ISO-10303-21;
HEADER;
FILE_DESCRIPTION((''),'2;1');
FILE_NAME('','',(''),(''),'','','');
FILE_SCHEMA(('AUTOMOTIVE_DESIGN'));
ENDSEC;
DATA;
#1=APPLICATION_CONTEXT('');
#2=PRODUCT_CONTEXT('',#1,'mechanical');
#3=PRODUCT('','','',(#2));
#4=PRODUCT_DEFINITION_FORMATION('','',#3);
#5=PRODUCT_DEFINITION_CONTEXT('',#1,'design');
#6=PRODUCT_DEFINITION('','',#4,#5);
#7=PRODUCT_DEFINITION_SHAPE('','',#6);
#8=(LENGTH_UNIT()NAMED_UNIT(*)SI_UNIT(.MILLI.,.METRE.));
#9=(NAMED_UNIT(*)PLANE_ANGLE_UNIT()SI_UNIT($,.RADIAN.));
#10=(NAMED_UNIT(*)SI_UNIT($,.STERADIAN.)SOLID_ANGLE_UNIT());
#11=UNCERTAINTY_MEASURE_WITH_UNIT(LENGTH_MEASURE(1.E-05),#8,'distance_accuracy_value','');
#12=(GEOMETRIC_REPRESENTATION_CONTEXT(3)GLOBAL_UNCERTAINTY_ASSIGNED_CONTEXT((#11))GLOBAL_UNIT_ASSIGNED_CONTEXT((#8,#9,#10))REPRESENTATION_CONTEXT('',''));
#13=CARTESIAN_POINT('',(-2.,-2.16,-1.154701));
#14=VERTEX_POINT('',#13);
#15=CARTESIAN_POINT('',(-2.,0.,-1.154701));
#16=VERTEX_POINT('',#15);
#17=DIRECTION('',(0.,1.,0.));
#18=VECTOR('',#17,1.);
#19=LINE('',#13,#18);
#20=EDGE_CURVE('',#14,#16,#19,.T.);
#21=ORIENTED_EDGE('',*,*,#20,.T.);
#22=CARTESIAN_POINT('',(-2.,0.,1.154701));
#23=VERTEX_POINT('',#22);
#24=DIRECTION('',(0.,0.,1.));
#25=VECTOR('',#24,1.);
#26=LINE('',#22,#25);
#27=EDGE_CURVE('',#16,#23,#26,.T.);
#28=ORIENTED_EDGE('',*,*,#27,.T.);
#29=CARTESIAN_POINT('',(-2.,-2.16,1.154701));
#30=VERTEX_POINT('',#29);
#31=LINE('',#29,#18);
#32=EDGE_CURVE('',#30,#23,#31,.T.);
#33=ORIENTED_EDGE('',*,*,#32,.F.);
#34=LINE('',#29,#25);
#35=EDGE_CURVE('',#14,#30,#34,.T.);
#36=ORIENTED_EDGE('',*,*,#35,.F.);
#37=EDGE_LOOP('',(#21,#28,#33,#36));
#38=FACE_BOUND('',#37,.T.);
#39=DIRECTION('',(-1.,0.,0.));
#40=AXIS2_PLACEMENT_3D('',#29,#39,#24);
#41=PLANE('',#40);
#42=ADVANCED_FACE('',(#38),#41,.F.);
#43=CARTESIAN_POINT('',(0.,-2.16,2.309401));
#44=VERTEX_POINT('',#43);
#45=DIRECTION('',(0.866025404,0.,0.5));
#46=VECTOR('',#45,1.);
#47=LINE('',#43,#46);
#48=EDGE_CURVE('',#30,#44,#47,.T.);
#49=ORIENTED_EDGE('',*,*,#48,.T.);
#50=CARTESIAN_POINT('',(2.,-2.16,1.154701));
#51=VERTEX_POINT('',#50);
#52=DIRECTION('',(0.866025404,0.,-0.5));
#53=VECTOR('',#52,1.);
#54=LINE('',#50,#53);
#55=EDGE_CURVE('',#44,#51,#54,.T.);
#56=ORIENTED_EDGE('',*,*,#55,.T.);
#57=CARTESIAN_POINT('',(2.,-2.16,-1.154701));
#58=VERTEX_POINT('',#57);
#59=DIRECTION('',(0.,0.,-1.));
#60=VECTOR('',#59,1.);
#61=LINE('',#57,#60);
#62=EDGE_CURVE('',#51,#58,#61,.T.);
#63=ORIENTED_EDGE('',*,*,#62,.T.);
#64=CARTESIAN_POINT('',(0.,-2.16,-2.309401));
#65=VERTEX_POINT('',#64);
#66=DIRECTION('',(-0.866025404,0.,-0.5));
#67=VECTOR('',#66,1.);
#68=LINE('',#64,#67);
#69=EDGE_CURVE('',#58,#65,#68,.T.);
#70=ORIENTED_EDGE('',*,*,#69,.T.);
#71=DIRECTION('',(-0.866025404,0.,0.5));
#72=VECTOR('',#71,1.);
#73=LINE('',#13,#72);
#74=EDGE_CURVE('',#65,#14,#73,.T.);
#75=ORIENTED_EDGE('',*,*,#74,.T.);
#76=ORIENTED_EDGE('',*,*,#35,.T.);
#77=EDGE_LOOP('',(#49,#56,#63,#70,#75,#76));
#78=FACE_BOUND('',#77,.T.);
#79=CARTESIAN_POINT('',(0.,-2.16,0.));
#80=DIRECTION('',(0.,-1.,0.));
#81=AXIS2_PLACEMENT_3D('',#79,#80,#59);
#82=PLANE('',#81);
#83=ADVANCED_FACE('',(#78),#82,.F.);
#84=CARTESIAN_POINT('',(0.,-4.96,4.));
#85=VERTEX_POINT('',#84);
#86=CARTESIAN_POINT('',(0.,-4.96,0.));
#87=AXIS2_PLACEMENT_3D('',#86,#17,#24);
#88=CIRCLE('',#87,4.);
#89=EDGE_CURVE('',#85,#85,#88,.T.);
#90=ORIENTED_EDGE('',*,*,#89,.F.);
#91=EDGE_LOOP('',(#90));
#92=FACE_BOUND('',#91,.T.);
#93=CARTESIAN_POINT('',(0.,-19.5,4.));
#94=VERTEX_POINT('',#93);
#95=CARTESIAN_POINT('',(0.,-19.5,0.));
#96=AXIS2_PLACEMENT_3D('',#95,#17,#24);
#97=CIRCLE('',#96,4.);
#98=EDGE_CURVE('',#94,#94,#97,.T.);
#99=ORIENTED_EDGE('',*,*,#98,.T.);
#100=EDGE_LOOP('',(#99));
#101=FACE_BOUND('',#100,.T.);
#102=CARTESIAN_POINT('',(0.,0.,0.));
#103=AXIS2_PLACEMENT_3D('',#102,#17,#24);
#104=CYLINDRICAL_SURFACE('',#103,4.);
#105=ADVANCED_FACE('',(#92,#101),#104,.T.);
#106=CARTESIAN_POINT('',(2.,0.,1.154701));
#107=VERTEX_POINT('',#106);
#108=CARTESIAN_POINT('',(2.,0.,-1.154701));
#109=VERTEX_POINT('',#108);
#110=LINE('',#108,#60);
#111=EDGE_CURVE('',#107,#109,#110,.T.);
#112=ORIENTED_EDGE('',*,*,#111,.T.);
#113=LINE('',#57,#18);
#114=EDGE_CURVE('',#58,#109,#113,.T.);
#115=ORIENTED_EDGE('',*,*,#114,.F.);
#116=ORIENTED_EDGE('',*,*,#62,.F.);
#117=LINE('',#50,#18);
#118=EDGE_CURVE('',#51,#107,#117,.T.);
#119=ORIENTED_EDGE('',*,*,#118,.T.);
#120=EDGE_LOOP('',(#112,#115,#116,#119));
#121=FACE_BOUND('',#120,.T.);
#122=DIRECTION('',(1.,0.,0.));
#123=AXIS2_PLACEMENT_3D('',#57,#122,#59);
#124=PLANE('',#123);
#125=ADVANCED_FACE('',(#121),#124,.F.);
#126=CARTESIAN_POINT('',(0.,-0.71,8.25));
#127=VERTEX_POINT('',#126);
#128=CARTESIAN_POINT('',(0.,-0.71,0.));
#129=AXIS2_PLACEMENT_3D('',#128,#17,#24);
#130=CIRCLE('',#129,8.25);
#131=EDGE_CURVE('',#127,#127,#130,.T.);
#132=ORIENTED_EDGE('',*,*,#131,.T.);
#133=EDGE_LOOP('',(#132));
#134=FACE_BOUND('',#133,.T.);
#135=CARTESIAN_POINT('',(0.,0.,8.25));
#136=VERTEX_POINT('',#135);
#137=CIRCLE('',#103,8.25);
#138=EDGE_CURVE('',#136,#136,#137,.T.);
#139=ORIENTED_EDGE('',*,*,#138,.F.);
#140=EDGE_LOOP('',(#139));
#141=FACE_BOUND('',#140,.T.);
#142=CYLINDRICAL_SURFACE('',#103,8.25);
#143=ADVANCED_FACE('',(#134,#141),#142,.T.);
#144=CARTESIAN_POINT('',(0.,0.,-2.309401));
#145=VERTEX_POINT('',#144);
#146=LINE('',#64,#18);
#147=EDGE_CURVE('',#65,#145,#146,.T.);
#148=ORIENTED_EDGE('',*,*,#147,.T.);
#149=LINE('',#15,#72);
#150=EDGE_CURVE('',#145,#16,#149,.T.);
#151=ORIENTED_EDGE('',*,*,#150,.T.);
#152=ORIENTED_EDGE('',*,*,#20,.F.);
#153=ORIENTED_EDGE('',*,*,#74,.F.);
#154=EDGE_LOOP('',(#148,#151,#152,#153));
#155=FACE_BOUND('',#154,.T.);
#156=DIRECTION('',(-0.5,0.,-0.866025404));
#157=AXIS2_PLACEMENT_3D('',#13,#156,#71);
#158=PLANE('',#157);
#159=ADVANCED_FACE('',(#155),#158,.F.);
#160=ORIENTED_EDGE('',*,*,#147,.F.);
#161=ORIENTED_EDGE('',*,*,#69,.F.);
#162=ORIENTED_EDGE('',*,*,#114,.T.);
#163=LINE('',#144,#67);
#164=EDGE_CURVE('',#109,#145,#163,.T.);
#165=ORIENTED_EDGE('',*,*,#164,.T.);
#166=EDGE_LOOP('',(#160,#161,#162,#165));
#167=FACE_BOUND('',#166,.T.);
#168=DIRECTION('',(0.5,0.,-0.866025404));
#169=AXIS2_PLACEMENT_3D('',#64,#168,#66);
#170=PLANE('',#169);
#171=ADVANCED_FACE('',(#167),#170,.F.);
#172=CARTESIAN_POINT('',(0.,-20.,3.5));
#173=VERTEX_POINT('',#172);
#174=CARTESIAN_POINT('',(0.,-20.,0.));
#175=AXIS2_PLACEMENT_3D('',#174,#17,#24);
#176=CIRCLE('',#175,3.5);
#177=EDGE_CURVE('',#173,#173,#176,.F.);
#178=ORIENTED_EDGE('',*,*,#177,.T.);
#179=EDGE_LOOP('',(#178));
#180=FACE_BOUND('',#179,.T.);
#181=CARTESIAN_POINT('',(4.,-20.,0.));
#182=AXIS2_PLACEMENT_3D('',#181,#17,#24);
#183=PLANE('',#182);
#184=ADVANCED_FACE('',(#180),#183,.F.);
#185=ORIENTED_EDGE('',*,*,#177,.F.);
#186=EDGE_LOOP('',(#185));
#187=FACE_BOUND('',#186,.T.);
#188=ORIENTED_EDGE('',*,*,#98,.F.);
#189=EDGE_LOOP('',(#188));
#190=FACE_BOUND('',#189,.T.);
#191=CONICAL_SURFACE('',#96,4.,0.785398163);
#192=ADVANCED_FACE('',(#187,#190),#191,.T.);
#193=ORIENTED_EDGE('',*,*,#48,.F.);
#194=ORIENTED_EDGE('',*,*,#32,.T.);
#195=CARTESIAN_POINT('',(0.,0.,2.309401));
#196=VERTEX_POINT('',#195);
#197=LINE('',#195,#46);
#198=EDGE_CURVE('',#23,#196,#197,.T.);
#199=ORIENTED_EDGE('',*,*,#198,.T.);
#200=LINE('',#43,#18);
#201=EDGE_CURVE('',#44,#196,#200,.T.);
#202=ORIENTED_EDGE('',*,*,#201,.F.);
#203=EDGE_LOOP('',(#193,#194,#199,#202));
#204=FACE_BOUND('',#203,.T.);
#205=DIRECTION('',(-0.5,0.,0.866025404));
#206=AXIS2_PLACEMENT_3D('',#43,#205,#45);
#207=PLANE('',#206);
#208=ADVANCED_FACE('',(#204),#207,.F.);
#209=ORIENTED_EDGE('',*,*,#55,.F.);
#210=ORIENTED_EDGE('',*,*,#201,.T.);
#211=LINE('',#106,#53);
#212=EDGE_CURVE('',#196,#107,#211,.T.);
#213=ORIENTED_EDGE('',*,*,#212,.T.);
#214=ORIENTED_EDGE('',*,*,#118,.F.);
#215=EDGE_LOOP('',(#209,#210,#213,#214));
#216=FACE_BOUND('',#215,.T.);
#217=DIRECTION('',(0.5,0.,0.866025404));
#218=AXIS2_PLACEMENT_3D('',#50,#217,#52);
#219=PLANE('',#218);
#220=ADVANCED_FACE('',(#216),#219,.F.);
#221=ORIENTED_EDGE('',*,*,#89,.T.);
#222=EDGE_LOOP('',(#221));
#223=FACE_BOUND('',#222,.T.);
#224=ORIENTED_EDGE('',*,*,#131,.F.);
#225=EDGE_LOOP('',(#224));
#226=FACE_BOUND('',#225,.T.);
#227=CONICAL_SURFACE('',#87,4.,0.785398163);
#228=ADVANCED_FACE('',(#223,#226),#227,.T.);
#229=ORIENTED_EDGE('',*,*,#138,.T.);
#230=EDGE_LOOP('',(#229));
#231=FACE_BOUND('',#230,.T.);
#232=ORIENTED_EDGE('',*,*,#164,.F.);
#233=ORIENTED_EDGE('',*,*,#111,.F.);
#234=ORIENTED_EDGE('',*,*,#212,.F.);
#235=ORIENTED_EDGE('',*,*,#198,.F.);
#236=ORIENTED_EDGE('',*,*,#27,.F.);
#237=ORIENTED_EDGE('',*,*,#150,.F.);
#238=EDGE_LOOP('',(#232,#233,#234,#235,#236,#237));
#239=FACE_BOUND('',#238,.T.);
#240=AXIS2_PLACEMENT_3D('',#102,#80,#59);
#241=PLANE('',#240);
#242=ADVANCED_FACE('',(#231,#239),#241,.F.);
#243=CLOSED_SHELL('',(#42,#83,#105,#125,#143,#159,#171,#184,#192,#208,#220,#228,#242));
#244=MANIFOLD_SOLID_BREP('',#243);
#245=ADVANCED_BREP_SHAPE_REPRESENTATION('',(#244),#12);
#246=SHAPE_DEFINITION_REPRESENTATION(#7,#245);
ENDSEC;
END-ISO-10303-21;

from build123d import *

# Parameters (mm, degrees)
CUT_EXTRUDE1_DEPTH = 2.16
CHAMFER1_SIZE      = 0.5


with BuildPart() as part:
    # Sketch2 → Revolve1 (revolve)
    with BuildSketch(Plane.XY, mode=Mode.PRIVATE) as revolve1_sk:
        Polygon((0, 0), (8.25, 0), (8.25, -0.71), (4, -4.96), (4, -20), (0, -20), align=None)
    revolve(revolve1_sk.sketch.rotate(Axis((0, 0, 0), (0, -1, 0)), 90), axis=Axis((0, 0, 0), (0, -1, 0)))

    # Sketch3 → Cut-Extrude1 (cut)
    with BuildSketch(Plane(origin=(0, 0, 0), x_dir=(1, 0, 0), z_dir=(0, 1, 0))):
        Polygon((0, 2.309401077), (2, 1.154700538), (2, -1.154700538), (0, -2.309401077), (-2, -1.154700538), (-2, 1.154700538), align=None)
    extrude(amount=-CUT_EXTRUDE1_DEPTH, mode=Mode.SUBTRACT)

    # Chamfer1
    chamfer1_edges = [part.edges().sort_by_distance(p)[0] for p in [
        (0, -20, -4),
    ]]
    chamfer(chamfer1_edges, length=CHAMFER1_SIZE)


solid = part.part
